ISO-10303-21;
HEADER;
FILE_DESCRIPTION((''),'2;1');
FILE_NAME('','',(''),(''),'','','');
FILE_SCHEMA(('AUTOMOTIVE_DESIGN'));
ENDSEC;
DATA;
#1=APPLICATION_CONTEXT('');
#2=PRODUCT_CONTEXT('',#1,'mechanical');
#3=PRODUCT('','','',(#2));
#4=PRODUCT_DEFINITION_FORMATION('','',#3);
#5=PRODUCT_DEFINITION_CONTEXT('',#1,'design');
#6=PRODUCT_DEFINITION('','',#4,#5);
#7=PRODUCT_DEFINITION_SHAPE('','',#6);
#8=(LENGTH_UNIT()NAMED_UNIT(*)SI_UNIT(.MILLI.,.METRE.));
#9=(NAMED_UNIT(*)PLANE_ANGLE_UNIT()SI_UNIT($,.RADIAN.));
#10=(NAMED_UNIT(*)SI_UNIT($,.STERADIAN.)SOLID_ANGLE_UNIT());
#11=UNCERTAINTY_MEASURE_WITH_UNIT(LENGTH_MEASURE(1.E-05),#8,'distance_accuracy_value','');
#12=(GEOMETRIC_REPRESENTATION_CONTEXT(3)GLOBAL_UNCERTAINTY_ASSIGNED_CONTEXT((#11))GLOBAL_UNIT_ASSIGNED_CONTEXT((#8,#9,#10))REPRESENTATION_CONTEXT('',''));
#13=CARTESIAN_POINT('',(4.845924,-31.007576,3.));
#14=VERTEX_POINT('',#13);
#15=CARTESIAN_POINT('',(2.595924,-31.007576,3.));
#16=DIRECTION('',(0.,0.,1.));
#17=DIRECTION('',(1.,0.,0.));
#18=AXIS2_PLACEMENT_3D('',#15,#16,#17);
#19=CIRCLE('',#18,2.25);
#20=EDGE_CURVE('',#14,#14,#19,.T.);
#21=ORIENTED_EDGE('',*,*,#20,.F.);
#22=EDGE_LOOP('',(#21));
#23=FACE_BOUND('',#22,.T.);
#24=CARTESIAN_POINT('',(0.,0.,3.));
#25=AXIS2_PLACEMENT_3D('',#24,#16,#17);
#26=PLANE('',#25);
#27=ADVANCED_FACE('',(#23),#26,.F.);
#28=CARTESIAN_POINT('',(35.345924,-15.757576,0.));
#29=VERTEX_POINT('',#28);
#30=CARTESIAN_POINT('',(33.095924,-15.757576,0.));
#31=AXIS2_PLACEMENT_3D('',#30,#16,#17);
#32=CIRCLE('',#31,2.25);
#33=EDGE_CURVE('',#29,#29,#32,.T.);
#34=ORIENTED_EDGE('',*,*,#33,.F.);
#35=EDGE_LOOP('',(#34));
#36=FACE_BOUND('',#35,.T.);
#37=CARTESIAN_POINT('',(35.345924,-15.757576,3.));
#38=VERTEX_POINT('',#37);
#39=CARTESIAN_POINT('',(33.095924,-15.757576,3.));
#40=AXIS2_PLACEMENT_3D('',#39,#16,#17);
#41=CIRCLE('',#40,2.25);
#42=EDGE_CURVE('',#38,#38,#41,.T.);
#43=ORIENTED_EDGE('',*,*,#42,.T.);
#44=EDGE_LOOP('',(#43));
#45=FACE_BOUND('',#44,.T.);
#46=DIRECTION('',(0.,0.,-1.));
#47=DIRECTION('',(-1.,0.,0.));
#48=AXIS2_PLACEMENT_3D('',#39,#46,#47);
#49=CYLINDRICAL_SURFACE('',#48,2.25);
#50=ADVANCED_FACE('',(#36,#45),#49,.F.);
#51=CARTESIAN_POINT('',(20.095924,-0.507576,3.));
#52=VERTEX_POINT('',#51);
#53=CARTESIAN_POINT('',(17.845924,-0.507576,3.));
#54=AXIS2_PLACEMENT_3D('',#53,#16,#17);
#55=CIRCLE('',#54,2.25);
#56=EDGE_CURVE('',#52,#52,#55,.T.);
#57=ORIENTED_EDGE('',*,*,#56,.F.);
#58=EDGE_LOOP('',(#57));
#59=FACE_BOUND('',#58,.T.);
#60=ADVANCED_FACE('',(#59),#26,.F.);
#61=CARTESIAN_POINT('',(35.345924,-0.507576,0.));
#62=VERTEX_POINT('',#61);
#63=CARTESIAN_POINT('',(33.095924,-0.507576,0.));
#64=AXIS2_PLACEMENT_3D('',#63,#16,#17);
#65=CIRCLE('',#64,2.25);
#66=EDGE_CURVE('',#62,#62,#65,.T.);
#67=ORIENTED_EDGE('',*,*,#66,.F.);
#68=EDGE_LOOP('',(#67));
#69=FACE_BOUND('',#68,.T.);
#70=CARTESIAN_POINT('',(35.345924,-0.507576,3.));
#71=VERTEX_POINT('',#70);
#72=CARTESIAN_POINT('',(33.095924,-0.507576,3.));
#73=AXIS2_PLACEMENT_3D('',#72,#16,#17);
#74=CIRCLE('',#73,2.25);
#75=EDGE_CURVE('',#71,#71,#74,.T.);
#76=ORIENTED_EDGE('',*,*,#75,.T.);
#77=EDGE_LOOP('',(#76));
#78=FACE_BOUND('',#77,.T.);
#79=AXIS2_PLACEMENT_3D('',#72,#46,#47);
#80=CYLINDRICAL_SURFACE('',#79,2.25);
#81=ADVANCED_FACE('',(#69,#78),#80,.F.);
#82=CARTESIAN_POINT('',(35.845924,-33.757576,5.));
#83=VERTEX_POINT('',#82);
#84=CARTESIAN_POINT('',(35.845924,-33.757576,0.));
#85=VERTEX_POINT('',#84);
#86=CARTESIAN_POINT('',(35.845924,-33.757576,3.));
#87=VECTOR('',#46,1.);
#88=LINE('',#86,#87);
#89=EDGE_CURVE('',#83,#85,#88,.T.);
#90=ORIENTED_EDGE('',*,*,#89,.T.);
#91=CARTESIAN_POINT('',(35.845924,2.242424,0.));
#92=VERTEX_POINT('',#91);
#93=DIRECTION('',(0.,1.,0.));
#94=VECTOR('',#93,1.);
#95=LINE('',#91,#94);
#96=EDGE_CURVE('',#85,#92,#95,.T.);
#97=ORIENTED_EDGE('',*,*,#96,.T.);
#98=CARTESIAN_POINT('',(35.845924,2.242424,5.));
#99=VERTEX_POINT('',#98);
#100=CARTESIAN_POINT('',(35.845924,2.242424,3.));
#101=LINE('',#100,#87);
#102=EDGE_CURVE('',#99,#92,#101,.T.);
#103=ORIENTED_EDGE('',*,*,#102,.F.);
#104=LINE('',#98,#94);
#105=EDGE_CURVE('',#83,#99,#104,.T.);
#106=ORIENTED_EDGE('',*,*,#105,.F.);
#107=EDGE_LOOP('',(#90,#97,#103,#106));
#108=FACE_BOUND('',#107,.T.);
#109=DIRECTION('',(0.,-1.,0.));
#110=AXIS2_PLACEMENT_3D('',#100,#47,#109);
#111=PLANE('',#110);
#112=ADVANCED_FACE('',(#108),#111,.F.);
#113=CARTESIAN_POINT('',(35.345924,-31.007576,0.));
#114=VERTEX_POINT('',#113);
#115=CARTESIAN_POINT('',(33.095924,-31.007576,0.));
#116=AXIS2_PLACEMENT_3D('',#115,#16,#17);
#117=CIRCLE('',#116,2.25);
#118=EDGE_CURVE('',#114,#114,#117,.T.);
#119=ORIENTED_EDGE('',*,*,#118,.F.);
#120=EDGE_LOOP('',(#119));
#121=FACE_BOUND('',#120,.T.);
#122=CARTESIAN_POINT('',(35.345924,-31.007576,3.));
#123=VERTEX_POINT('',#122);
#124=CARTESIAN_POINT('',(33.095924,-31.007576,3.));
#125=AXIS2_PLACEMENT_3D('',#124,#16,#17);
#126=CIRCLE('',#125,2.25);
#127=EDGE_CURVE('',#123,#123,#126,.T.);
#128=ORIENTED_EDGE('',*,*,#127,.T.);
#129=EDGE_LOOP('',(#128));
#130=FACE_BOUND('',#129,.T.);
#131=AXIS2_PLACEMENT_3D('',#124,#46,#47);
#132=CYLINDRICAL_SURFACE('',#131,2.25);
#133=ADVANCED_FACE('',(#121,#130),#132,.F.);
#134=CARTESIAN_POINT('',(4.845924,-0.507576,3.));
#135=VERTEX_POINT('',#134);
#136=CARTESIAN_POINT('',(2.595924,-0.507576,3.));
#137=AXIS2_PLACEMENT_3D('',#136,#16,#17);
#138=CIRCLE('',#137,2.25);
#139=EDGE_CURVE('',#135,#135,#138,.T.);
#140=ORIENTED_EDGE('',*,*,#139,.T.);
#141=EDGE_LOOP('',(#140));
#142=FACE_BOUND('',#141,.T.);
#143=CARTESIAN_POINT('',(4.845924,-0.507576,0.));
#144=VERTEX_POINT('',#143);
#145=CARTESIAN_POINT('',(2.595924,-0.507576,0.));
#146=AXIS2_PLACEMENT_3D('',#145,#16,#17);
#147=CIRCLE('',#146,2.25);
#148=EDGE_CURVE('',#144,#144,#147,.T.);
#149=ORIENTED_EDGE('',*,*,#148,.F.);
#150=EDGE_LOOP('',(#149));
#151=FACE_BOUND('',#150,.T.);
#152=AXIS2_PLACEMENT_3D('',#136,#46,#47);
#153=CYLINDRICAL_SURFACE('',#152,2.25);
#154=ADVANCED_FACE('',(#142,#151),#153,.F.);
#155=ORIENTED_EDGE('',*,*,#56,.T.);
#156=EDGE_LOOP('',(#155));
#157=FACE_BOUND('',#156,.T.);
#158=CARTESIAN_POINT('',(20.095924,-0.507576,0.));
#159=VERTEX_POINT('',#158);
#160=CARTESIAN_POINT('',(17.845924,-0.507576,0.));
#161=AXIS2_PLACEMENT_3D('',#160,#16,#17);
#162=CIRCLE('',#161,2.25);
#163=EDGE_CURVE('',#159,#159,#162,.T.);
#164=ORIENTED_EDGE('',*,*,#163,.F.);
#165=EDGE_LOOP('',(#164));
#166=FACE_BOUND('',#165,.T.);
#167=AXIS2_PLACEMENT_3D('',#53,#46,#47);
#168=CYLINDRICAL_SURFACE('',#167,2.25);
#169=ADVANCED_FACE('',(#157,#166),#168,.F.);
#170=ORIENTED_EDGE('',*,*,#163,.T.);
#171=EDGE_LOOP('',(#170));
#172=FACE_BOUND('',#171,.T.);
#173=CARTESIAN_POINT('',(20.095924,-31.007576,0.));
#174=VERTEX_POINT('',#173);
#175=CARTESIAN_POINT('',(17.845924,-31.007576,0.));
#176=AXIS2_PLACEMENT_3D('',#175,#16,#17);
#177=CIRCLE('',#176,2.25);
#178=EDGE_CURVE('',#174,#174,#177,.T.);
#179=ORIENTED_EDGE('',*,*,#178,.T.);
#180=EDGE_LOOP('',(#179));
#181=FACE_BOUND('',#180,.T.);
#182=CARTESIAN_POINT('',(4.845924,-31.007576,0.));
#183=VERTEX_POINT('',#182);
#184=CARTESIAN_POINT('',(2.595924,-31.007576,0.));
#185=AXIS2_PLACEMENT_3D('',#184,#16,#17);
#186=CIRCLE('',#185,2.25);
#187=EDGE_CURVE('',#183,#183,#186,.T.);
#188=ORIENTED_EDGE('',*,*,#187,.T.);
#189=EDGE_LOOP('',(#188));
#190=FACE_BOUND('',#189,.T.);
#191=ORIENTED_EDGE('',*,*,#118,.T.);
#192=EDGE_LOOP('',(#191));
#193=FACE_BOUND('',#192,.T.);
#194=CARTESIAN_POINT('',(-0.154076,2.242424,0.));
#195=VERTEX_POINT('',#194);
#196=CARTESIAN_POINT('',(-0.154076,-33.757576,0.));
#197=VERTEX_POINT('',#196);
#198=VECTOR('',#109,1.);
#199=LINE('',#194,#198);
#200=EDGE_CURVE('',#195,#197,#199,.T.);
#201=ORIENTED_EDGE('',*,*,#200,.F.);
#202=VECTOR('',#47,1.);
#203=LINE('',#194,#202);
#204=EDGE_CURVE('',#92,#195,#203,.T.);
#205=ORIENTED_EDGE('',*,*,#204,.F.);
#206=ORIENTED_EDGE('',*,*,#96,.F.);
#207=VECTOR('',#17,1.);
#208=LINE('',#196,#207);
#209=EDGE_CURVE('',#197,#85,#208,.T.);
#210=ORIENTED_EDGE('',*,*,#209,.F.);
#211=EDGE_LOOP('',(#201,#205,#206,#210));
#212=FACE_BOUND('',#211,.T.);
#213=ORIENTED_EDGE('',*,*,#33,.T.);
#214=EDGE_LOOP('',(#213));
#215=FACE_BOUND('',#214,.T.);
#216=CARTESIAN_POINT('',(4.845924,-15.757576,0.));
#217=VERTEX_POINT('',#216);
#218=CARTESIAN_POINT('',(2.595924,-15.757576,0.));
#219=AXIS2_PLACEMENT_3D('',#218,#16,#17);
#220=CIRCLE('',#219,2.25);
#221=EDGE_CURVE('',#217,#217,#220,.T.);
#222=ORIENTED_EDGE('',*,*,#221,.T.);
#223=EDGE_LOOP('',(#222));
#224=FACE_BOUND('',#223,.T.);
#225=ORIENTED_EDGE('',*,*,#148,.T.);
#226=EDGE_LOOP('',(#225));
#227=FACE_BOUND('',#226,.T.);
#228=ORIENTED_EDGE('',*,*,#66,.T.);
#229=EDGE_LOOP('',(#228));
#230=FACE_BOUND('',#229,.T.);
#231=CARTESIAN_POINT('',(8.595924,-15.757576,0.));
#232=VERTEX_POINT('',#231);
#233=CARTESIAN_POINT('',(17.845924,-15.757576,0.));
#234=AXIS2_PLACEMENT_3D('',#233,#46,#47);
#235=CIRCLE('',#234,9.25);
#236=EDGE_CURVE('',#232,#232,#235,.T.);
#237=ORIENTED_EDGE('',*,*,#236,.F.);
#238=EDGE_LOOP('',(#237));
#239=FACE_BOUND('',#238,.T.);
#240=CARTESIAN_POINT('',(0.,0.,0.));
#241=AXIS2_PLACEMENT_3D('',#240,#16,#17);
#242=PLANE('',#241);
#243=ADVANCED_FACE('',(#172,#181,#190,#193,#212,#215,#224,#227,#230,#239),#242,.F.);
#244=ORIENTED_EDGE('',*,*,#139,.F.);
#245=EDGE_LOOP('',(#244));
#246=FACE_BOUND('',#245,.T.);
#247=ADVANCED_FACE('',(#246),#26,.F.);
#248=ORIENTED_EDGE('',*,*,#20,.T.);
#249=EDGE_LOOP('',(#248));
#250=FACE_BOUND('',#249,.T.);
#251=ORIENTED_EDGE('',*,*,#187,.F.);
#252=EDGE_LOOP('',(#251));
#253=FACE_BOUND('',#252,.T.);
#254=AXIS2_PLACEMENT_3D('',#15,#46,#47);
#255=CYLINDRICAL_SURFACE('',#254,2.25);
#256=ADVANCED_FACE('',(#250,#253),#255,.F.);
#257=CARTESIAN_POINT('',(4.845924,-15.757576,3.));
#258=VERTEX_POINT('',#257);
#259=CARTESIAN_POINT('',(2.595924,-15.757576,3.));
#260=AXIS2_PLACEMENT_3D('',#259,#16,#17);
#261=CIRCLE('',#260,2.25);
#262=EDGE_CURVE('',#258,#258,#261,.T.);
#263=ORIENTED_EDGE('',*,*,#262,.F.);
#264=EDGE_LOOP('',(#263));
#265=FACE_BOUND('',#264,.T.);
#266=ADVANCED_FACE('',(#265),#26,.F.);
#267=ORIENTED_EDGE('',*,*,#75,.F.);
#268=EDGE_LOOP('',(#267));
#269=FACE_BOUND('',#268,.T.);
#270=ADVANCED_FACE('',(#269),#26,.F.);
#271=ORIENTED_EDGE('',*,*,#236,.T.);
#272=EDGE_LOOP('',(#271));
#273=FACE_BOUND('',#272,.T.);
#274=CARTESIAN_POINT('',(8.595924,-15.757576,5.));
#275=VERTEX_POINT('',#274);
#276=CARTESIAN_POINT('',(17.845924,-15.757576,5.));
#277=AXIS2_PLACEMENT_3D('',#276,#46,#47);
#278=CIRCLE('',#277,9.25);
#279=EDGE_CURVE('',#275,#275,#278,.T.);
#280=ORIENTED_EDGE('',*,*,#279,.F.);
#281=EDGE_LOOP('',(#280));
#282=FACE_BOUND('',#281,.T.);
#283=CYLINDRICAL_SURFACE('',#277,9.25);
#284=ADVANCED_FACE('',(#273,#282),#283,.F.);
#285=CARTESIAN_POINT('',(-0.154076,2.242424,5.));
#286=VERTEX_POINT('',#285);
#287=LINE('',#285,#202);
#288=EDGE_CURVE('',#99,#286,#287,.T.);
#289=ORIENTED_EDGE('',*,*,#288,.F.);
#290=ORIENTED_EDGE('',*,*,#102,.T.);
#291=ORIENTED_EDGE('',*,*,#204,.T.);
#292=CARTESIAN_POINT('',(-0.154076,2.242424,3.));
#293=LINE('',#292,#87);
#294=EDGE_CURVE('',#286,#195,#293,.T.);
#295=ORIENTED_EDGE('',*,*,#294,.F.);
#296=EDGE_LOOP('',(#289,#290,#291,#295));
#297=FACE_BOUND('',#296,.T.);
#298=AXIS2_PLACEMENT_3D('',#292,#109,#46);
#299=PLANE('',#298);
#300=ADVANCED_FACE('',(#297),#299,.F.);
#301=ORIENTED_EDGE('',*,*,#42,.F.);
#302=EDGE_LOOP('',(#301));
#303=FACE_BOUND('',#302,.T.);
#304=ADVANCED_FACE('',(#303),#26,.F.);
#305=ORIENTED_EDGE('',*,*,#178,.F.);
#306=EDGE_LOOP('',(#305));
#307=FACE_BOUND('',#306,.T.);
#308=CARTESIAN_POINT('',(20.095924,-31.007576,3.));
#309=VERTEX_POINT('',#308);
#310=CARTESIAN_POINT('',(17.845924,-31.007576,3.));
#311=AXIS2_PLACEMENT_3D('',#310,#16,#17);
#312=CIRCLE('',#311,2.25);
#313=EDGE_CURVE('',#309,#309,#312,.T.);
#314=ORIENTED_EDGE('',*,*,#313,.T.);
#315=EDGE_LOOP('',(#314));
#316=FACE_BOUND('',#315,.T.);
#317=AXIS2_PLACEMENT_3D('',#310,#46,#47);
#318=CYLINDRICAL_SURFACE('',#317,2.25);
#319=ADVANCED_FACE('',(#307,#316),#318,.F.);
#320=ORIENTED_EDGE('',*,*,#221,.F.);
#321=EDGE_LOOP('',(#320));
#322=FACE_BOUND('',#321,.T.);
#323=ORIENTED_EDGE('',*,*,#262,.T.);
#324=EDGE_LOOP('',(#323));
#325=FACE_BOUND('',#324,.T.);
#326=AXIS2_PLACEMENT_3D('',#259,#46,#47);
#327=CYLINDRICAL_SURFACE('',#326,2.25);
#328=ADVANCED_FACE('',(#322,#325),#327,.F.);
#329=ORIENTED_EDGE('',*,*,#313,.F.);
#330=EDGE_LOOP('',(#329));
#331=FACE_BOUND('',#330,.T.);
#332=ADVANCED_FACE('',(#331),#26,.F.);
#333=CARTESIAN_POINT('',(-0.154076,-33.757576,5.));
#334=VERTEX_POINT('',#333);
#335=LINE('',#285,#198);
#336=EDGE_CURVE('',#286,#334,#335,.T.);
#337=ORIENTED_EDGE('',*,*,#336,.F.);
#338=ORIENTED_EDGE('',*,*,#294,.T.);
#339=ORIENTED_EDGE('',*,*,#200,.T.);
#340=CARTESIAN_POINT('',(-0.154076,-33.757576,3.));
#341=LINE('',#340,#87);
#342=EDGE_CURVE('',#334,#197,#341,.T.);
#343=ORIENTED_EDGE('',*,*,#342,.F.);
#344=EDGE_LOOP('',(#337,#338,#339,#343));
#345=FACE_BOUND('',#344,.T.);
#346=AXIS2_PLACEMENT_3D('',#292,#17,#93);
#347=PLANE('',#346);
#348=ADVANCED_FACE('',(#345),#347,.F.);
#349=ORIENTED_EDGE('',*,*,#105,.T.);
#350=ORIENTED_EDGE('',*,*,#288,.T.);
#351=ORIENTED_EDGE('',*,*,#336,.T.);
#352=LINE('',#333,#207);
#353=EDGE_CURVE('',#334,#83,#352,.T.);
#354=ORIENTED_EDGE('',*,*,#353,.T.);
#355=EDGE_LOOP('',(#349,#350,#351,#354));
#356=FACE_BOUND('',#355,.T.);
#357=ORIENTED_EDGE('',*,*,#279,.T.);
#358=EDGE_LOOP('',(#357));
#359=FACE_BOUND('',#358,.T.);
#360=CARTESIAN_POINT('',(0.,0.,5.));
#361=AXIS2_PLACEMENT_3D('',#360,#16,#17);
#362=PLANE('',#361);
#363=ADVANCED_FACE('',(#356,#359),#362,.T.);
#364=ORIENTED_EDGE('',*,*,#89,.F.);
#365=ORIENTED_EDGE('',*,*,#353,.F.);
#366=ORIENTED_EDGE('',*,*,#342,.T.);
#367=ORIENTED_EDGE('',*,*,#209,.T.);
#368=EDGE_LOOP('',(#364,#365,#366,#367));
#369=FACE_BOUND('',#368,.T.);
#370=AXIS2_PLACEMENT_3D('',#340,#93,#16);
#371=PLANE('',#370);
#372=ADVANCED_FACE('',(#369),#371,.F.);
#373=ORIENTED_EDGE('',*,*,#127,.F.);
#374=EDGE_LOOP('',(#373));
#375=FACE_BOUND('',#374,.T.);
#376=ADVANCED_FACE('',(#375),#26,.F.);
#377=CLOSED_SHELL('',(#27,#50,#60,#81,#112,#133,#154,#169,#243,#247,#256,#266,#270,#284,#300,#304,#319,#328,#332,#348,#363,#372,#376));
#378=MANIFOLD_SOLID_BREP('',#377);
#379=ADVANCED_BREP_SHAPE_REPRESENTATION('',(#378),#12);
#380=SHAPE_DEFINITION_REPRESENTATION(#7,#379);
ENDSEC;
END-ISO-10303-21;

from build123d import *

# Parameters (mm, degrees)
SKETCH_1_W          = 36
SKETCH_1_H          = 36
SKETCH_1_R          = 2.25
EXTRUDE_1_DEPTH     = 3
SKETCH_2_W          = 36
SKETCH_2_H          = 36
EXTRUDE_2_DEPTH     = 2
SKETCH_4_R          = 9.25
CUT_EXTRUDE_1_DEPTH = 50.492465658


with BuildPart() as part:
    # 스케치1 → 보스-돌출1 (new body)
    with BuildSketch(Plane.XY):
        with Locations((17.845923561, -15.757575758)):
            Rectangle(SKETCH_1_W, SKETCH_1_H)
        with Locations((2.595923561, -0.507575758)):
            Circle(SKETCH_1_R, mode=Mode.SUBTRACT)
        with Locations((17.845923561, -0.507575758)):
            Circle(SKETCH_1_R, mode=Mode.SUBTRACT)
        with Locations((33.095923561, -0.507575758)):
            Circle(SKETCH_1_R, mode=Mode.SUBTRACT)
        with Locations((33.095923561, -15.757575758)):
            Circle(SKETCH_1_R, mode=Mode.SUBTRACT)
        with Locations((33.095923561, -31.007575758)):
            Circle(SKETCH_1_R, mode=Mode.SUBTRACT)
        with Locations((17.845923561, -31.007575758)):
            Circle(SKETCH_1_R, mode=Mode.SUBTRACT)
        with Locations((2.595923561, -31.007575758)):
            Circle(SKETCH_1_R, mode=Mode.SUBTRACT)
        with Locations((2.595923561, -15.757575758)):
            Circle(SKETCH_1_R, mode=Mode.SUBTRACT)
    extrude(amount=EXTRUDE_1_DEPTH)

    # 스케치2 → 보스-돌출2 (add)
    with BuildSketch(Plane.XY.offset(3)):
        with Locations((17.845923561, -15.757575758)):
            Rectangle(SKETCH_2_W, SKETCH_2_H)
    extrude(amount=EXTRUDE_2_DEPTH)

    # 스케치4 → 컷-돌출1 (cut, through all)
    with BuildSketch(Plane(origin=(0, 0, 0), x_dir=(-1, 0, 0), z_dir=(0, 0, -1))):
        with Locations((-17.845923561, -15.757575758)):
            Circle(SKETCH_4_R)
    extrude(amount=-CUT_EXTRUDE_1_DEPTH, mode=Mode.SUBTRACT)


solid = part.part
